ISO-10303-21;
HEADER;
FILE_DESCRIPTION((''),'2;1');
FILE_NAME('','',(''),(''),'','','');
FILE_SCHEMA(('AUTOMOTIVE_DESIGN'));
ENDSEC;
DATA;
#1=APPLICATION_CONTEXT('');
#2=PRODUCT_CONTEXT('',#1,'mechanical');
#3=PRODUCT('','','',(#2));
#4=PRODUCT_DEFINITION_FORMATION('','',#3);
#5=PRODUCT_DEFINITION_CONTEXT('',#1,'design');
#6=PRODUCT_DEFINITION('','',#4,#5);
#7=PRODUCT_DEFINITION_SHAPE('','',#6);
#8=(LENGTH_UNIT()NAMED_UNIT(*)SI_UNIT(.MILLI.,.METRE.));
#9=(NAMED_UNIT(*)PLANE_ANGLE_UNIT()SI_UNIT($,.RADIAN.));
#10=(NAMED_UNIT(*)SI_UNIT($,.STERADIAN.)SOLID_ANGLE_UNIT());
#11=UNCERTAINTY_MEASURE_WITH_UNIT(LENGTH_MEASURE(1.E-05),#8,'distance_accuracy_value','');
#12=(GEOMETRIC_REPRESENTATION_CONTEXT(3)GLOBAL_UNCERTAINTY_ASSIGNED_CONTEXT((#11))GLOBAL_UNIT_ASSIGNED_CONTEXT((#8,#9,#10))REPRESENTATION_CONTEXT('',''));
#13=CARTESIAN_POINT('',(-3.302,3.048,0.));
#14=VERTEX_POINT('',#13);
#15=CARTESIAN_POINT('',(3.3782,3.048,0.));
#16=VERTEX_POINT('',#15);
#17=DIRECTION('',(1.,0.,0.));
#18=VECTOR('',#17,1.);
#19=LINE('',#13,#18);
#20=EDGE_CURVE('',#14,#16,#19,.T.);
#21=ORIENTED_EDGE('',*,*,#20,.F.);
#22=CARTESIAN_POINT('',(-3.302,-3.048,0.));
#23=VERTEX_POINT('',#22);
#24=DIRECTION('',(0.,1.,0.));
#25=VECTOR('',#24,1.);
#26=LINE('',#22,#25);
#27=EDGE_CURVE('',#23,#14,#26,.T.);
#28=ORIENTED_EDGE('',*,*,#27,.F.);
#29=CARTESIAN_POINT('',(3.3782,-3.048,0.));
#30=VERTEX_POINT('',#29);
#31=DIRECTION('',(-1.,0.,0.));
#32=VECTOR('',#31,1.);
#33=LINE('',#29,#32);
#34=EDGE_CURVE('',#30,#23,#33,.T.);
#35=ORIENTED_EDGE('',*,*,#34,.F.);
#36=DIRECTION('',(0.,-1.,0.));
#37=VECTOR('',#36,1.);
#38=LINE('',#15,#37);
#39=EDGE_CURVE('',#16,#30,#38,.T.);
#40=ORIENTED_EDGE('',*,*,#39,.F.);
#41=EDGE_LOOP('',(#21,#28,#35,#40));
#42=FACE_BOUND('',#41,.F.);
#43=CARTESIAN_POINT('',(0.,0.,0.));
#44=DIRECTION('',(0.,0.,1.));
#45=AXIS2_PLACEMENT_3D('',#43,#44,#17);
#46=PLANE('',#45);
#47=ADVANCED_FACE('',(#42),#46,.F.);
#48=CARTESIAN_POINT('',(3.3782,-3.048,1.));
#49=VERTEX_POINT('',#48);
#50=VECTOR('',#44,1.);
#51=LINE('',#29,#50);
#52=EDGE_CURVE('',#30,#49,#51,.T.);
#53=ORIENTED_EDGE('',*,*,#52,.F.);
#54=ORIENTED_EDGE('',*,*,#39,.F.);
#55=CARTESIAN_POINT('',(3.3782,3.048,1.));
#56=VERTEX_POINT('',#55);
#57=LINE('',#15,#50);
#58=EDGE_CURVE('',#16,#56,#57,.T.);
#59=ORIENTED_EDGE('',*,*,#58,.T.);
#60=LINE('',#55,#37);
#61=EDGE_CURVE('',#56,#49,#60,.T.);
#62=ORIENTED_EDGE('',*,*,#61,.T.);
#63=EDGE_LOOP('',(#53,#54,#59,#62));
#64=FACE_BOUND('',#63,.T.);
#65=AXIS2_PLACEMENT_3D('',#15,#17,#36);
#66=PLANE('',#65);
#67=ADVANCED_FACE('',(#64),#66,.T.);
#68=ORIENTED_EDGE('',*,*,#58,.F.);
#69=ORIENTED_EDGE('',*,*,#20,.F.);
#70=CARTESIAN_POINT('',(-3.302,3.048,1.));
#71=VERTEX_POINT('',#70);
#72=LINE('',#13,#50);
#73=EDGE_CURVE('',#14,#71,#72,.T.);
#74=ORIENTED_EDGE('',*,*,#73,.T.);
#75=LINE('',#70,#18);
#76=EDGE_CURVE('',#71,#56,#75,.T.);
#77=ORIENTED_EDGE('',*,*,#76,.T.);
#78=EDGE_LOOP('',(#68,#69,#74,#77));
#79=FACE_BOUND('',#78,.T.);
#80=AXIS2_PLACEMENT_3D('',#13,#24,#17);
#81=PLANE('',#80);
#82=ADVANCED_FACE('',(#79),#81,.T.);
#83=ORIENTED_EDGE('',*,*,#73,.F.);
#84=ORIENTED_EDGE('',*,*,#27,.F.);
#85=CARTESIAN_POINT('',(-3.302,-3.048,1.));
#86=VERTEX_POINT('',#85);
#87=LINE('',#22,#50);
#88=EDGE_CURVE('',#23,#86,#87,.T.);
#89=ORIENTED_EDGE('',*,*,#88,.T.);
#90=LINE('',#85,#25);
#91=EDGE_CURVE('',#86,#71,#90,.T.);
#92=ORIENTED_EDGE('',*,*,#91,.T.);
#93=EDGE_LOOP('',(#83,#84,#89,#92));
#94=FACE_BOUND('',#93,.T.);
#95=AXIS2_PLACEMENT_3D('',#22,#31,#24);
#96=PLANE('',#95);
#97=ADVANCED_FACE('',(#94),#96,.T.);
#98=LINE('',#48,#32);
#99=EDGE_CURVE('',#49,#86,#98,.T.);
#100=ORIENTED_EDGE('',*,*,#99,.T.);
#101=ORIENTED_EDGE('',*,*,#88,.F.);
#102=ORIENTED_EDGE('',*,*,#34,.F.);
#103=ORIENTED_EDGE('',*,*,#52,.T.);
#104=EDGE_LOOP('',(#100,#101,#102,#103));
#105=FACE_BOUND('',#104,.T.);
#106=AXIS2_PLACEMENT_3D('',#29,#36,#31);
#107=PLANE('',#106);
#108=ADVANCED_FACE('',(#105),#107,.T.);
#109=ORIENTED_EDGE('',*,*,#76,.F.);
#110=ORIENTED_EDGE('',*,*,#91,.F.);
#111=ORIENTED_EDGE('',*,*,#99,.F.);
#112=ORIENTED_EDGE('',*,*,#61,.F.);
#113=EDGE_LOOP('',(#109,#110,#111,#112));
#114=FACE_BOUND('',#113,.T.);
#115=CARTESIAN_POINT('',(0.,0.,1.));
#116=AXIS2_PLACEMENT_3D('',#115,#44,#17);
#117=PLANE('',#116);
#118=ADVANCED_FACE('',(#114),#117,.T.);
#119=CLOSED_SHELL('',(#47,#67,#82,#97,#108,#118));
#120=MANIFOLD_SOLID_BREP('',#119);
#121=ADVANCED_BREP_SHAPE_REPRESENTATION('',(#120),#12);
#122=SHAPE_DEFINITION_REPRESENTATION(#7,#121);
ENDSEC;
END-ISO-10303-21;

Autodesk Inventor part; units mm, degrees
ref_plane "YZ Plane" through (0, 0, 0) normal (1, 0, 0) x (0, 1, 0)
ref_plane "XZ Plane" through (0, 0, 0) normal (0, 1, 0) x (-1, 0, 0)
ref_plane "XY Plane" through (0, 0, 0) normal (0, 0, 1) x (1, 0, 0)
sketch "B3F-10XX, BUTTON0_B3F-10XX_1" plane through (0, 0, 0) normal (0, 0, 1) x (1, 0, 0)
  line L0 (-3.302, 3.048) -> (3.3782, 3.048)
  line L1 (3.3782, 3.048) -> (3.3782, -3.048)
  line L2 (3.3782, -3.048) -> (-3.302, -3.048)
  line L3 (-3.302, -3.048) -> (-3.302, 3.048)
extrude "Extrusion1" add sketch "B3F-10XX, BUTTON0_B3F-10XX_1" along normal blind 1
properties part number "BUTTON0_B3F-10XX"
